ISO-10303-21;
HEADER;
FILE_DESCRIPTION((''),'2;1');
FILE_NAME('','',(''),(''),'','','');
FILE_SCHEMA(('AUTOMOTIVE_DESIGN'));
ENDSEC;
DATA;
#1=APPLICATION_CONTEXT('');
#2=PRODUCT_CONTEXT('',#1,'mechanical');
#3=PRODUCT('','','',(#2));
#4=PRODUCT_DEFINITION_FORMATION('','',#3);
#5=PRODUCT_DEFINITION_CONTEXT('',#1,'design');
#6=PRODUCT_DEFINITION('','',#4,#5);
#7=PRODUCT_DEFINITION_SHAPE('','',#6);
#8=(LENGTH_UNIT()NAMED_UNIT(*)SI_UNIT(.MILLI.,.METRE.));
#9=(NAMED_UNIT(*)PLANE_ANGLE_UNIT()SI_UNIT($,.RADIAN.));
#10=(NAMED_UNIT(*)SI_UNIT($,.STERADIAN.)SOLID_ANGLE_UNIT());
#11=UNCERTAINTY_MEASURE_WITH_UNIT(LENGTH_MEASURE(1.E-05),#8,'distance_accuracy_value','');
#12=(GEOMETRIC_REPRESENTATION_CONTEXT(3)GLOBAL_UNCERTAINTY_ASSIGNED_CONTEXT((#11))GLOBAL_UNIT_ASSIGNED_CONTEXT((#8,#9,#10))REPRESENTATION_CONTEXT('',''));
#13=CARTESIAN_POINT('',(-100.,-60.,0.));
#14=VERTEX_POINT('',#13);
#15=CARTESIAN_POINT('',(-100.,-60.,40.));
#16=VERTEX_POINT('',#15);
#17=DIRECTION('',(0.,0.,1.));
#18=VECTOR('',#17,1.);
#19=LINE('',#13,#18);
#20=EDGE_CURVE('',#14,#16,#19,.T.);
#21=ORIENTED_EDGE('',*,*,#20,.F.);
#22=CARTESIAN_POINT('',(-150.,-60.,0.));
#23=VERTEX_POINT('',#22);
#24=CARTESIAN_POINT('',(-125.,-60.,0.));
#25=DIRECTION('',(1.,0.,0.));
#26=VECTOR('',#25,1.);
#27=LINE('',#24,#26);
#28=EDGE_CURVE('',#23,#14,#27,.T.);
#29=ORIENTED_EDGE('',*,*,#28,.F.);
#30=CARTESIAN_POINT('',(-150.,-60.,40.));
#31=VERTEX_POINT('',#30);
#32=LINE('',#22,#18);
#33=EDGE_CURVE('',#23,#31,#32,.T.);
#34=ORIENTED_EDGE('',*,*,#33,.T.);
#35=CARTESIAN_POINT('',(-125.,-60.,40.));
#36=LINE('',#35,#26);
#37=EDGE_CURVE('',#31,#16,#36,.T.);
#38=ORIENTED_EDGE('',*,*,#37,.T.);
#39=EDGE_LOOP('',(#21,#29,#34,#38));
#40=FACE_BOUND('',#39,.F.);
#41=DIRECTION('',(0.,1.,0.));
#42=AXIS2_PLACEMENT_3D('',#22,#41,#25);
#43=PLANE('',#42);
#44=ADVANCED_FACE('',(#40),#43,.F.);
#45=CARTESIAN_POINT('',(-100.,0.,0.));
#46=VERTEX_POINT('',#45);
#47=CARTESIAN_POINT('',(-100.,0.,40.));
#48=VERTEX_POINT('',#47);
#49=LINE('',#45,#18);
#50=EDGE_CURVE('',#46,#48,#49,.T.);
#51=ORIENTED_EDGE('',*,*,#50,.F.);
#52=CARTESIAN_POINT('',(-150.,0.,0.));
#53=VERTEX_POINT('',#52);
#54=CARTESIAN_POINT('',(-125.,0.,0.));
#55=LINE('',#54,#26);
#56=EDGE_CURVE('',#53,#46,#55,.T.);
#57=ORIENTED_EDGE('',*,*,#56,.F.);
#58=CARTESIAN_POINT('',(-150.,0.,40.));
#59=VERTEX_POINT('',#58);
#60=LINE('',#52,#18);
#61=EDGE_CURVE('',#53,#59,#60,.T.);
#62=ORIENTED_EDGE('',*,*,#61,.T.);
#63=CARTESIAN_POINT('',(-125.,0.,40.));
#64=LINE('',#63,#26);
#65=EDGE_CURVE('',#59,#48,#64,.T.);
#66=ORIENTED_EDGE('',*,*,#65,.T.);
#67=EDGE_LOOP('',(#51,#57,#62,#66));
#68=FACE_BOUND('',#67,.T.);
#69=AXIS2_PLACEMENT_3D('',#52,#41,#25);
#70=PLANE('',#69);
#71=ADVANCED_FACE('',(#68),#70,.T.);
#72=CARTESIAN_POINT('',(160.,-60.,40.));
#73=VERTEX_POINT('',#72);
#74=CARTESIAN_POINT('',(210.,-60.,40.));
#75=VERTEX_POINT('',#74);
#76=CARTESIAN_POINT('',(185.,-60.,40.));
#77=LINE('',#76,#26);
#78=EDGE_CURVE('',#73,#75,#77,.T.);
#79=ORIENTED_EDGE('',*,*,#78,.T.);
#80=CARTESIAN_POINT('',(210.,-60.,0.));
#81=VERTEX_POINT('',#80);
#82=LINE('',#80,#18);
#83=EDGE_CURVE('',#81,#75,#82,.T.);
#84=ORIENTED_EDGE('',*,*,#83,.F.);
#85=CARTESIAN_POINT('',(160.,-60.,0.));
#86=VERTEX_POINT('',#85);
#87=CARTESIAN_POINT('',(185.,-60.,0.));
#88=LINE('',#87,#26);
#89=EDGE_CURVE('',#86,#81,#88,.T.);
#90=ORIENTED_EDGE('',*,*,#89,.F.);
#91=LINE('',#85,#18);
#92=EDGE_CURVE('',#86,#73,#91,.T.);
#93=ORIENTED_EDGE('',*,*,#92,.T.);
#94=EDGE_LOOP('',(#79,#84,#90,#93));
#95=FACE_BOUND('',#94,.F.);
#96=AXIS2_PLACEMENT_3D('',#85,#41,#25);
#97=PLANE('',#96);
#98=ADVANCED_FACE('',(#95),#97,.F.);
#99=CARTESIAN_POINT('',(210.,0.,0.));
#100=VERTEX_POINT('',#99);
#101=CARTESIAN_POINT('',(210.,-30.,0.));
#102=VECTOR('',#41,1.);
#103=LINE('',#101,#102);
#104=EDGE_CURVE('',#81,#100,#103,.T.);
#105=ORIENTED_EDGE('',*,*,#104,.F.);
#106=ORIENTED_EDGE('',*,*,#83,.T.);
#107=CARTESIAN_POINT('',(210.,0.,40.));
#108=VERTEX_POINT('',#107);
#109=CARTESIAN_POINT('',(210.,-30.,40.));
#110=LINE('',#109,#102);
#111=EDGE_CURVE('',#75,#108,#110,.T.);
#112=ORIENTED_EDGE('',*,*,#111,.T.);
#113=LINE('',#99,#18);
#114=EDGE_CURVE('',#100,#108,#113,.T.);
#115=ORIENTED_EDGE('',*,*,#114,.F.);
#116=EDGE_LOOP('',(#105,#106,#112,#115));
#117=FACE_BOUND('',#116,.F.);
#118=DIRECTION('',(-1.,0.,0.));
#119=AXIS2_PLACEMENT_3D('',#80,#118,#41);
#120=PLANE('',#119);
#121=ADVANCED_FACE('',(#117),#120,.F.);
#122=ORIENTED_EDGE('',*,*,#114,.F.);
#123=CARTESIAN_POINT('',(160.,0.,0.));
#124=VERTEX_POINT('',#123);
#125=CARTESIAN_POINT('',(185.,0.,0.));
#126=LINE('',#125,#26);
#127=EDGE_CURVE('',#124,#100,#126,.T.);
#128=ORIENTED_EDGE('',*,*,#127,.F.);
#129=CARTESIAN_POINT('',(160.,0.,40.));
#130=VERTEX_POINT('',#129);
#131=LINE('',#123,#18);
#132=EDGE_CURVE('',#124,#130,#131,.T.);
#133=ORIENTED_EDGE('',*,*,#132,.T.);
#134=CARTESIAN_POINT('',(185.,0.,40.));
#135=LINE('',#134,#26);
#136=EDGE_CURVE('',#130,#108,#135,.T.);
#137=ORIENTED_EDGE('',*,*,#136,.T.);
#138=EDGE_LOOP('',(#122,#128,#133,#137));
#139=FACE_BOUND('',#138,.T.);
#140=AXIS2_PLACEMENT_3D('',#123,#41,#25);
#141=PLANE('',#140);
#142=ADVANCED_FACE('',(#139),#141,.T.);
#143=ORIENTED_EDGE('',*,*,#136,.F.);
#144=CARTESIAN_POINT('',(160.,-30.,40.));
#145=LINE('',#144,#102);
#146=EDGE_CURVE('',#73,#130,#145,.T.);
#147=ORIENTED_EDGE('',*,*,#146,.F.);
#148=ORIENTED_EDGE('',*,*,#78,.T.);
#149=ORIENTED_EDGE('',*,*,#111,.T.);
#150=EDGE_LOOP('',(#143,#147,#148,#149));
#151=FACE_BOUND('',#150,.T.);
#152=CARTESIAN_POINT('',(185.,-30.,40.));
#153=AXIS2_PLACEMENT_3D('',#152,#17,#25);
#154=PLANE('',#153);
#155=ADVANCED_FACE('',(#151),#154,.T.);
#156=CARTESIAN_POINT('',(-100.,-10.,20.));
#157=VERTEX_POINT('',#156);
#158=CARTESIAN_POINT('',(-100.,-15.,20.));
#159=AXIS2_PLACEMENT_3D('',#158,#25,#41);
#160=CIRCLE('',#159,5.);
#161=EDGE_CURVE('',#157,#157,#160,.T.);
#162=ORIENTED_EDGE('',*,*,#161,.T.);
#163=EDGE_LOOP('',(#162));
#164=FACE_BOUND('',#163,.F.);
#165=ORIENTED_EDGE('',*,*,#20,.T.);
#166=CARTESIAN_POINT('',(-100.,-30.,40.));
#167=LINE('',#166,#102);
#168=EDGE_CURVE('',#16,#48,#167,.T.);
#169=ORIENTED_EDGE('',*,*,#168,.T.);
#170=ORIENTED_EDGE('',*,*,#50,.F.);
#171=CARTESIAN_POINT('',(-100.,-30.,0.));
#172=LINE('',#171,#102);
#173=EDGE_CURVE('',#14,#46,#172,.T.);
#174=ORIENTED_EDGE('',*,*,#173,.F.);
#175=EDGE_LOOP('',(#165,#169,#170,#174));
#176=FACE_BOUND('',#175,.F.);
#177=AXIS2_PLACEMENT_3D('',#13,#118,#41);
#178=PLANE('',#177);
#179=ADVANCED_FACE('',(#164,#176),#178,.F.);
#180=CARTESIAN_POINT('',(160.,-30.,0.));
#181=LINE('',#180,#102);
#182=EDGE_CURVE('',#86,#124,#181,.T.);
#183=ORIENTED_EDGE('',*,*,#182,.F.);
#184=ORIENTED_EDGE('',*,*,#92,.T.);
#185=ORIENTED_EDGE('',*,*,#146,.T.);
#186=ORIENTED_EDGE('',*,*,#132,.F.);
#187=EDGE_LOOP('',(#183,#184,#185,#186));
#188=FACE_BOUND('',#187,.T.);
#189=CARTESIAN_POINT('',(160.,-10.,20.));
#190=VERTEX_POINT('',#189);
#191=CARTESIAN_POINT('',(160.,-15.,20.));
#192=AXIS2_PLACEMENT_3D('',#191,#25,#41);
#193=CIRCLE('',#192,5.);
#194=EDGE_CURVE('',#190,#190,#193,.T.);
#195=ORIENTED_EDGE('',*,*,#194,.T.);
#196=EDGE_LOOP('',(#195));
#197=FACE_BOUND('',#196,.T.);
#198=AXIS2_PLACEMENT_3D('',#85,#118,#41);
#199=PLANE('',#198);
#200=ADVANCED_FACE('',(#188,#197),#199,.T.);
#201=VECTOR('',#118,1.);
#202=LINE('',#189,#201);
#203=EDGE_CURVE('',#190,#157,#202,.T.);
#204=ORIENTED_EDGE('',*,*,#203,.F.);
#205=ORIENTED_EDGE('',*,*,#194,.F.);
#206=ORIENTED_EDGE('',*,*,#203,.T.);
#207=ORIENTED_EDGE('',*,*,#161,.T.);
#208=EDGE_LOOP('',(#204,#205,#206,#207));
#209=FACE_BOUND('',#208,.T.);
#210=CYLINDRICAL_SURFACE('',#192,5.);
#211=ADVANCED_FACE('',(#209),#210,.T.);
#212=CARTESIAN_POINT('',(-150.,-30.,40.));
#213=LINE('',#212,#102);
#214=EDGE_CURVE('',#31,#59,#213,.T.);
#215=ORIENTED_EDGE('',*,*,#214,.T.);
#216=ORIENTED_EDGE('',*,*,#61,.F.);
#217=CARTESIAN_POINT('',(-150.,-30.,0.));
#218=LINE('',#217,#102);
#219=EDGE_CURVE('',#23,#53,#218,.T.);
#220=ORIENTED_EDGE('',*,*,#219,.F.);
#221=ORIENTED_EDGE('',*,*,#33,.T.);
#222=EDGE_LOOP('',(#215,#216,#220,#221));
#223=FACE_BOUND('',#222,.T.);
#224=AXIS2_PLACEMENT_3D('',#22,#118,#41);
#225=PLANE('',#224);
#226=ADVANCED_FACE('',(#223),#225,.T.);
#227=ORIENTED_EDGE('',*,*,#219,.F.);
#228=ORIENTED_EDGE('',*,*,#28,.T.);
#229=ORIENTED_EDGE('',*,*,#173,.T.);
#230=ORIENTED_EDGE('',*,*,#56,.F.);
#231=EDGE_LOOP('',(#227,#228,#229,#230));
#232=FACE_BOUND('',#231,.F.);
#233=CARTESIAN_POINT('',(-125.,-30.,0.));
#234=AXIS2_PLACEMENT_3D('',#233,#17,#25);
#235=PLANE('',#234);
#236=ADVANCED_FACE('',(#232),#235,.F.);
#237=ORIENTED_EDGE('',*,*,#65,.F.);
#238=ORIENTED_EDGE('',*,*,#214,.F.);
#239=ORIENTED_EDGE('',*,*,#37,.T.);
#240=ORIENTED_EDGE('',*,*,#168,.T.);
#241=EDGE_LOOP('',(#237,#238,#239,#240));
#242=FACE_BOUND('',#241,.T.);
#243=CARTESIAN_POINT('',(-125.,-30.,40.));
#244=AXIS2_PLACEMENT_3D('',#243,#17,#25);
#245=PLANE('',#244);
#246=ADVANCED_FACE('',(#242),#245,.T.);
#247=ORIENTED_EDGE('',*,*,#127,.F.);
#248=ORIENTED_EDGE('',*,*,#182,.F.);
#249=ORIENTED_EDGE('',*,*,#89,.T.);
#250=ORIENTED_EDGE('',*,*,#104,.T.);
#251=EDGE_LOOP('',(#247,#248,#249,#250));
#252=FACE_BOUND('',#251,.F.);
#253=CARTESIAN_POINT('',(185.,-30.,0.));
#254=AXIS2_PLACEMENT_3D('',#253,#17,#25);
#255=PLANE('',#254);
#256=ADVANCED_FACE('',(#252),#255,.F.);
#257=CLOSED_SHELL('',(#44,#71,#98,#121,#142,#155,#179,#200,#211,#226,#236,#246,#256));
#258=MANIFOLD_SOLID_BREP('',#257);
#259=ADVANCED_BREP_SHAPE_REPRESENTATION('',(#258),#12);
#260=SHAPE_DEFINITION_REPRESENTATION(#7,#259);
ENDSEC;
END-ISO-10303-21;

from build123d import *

# Parameters (mm, degrees)
F0_W     = 50
F0_H     = 60
F1_DEPTH = 40
F3_START = -50
F2_R     = 5
F3_DEPTH = 260


with BuildPart() as f1:
    # F0 (on Top) → F1 (new body)
    with BuildSketch(Plane.XY):
        with Locations((-125, -30)):
            Rectangle(F0_W, F0_H)
    extrude(amount=F1_DEPTH)



with BuildPart() as f1b:
    # F0 (on Top) → F1, piece 2 (new body)
    with BuildSketch(Plane.XY):
        with Locations((185, -30)):
            Rectangle(F0_W, F0_H)
    extrude(amount=F1_DEPTH)


with BuildPart() as f1_1:
    add(f1.part)

    add(f1b.part)  # F3 merges F1b
    # F2 (on face) → F3 (join)
    with BuildSketch(Plane.YZ.offset(210).offset(F3_START)):
        with Locations((-15, 20)):
            Circle(F2_R)
    extrude(amount=-F3_DEPTH)


solid = f1_1.part
